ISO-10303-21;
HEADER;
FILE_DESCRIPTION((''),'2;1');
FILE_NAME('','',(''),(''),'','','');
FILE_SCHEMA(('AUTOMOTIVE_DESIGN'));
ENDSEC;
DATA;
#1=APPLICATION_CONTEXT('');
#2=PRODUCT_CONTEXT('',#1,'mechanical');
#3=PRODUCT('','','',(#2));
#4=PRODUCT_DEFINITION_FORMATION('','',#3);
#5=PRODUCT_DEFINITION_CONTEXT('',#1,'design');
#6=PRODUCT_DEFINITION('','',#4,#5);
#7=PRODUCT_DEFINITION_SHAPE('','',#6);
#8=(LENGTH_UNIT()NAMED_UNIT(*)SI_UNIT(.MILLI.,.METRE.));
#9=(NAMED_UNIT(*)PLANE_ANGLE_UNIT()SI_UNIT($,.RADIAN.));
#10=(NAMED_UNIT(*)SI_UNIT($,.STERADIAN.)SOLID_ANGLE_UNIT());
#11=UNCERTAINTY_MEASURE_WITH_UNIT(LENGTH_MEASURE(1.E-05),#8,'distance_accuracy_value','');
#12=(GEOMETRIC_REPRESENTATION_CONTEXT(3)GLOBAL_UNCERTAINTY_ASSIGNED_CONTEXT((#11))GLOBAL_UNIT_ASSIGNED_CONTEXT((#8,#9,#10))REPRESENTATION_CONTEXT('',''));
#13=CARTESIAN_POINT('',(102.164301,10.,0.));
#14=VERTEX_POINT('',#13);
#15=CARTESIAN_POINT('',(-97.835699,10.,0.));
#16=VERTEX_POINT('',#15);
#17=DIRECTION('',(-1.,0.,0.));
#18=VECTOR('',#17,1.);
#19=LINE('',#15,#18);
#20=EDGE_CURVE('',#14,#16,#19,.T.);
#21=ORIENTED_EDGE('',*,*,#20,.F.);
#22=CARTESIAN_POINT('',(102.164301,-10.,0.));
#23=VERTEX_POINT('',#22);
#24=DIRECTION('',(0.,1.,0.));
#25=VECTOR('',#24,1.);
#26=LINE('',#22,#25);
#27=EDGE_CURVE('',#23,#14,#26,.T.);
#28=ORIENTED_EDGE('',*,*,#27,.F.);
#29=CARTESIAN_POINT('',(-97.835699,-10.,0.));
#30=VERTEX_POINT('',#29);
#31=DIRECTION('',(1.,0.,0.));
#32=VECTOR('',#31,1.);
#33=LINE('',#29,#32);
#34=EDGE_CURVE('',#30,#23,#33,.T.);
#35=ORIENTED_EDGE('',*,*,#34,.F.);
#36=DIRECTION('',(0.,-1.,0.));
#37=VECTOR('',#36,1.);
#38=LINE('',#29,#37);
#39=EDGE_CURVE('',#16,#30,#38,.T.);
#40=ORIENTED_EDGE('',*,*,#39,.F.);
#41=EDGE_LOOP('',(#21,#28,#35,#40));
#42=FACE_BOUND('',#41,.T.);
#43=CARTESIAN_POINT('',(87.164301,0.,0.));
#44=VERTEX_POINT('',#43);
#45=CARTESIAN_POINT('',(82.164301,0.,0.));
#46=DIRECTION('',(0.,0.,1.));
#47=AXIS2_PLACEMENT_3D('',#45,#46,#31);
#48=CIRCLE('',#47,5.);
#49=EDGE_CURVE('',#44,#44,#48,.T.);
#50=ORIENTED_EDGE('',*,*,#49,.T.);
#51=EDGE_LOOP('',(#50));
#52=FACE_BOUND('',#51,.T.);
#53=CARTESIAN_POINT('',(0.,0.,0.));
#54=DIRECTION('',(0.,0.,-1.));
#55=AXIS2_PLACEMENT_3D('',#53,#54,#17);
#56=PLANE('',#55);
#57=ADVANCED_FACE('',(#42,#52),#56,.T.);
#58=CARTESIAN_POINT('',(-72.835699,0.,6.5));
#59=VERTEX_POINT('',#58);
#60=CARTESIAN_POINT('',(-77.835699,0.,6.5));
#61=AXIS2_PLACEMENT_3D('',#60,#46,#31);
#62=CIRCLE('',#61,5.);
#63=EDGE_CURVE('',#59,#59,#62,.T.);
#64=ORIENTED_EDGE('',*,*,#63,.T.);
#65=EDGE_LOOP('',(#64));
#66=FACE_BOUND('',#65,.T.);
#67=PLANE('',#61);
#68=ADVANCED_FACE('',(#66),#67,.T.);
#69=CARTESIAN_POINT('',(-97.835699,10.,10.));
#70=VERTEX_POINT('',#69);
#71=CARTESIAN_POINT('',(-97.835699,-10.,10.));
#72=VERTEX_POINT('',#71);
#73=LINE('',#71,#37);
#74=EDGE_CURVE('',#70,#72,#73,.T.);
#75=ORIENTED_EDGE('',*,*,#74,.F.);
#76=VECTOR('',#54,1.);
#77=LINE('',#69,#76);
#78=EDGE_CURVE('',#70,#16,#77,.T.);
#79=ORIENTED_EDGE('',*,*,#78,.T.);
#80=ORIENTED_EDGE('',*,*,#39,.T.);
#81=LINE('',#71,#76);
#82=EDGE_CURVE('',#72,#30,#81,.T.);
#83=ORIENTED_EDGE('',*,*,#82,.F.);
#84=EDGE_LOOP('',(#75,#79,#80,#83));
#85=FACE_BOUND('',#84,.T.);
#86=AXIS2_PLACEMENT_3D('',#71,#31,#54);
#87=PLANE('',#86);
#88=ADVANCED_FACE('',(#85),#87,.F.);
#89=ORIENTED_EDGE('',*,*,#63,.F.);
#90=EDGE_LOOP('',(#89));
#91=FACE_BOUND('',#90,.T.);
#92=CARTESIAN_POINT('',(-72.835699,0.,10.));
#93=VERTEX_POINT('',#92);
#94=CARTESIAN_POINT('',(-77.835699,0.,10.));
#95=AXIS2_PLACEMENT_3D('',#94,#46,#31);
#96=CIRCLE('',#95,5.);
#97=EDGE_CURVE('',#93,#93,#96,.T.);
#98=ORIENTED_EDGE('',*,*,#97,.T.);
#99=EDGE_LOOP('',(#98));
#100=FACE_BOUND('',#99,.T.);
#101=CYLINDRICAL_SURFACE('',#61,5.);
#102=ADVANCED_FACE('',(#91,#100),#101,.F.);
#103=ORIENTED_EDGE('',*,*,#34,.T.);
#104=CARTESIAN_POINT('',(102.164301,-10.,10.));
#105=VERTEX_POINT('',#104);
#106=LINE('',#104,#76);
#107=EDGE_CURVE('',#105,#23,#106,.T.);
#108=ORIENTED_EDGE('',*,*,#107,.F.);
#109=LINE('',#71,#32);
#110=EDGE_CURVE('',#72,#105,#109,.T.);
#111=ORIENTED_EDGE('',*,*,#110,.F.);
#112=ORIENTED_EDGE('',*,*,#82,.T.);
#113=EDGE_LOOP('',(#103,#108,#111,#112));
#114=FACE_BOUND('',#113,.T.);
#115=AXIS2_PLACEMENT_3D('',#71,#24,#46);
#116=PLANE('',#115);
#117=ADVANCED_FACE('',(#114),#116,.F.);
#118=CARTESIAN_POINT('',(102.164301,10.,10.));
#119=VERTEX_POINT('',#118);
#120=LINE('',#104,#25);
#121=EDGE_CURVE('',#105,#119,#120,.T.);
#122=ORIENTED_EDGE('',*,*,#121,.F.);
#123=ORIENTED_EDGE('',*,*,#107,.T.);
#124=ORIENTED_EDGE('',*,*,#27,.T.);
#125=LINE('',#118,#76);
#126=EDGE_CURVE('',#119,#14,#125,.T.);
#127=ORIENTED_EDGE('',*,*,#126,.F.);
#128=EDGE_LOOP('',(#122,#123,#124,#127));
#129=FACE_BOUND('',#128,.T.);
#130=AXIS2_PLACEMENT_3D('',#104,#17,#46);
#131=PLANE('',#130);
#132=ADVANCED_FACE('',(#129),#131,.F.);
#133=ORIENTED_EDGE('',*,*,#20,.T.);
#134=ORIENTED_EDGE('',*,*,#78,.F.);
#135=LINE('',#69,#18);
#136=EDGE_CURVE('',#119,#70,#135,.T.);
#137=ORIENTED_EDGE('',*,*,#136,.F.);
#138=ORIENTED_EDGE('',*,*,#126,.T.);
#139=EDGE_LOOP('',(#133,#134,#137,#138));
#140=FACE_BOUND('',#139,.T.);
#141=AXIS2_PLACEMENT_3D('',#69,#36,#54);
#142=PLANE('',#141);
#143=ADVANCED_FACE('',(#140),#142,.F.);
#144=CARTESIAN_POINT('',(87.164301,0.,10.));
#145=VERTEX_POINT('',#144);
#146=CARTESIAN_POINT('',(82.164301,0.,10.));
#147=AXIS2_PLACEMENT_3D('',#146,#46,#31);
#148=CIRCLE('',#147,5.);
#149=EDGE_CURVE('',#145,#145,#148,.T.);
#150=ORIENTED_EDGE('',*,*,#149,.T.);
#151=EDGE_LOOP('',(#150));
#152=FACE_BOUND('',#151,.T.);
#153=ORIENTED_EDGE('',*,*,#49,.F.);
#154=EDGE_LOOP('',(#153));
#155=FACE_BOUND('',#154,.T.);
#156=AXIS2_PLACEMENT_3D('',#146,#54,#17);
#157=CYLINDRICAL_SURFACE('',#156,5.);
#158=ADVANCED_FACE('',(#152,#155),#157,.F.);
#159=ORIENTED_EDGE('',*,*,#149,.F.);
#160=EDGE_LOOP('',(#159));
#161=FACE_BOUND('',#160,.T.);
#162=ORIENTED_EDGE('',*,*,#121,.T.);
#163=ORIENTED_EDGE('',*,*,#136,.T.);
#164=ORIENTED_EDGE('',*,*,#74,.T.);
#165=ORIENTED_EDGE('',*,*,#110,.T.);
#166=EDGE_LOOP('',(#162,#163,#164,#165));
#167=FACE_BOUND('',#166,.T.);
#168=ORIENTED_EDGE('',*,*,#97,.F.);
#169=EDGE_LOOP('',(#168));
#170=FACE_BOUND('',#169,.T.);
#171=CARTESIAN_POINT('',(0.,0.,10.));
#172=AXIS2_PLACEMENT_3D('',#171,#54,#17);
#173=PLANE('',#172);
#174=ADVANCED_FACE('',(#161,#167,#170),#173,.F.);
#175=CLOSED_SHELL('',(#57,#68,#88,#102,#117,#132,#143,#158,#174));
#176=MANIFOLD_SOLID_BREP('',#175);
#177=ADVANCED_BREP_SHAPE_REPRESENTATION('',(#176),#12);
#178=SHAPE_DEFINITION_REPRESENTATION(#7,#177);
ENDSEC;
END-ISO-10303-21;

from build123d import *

# Parameters (mm, degrees)
SKETCH2_W           = 200
SKETCH2_H           = 20
SKETCH2_R           = 5
BOSS_EXTRUDE2_DEPTH = 10
SKETCH3_R           = 5
CUT_EXTRUDE1_DEPTH  = 3.5


with BuildPart() as part:
    # Sketch2 → Boss-Extrude2 (new body)
    with BuildSketch(Plane.XY):
        with Locations((2.164301209, 0)):
            Rectangle(SKETCH2_W, SKETCH2_H)
        with Locations((82.164301209, 0)):
            Circle(SKETCH2_R, mode=Mode.SUBTRACT)
    extrude(amount=BOSS_EXTRUDE2_DEPTH)

    # Sketch3 → Cut-Extrude1 (cut)
    with BuildSketch(Plane.XY.offset(10)):
        with Locations((-77.835698791, 0)):
            Circle(SKETCH3_R)
    extrude(amount=-CUT_EXTRUDE1_DEPTH, mode=Mode.SUBTRACT)


solid = part.part
